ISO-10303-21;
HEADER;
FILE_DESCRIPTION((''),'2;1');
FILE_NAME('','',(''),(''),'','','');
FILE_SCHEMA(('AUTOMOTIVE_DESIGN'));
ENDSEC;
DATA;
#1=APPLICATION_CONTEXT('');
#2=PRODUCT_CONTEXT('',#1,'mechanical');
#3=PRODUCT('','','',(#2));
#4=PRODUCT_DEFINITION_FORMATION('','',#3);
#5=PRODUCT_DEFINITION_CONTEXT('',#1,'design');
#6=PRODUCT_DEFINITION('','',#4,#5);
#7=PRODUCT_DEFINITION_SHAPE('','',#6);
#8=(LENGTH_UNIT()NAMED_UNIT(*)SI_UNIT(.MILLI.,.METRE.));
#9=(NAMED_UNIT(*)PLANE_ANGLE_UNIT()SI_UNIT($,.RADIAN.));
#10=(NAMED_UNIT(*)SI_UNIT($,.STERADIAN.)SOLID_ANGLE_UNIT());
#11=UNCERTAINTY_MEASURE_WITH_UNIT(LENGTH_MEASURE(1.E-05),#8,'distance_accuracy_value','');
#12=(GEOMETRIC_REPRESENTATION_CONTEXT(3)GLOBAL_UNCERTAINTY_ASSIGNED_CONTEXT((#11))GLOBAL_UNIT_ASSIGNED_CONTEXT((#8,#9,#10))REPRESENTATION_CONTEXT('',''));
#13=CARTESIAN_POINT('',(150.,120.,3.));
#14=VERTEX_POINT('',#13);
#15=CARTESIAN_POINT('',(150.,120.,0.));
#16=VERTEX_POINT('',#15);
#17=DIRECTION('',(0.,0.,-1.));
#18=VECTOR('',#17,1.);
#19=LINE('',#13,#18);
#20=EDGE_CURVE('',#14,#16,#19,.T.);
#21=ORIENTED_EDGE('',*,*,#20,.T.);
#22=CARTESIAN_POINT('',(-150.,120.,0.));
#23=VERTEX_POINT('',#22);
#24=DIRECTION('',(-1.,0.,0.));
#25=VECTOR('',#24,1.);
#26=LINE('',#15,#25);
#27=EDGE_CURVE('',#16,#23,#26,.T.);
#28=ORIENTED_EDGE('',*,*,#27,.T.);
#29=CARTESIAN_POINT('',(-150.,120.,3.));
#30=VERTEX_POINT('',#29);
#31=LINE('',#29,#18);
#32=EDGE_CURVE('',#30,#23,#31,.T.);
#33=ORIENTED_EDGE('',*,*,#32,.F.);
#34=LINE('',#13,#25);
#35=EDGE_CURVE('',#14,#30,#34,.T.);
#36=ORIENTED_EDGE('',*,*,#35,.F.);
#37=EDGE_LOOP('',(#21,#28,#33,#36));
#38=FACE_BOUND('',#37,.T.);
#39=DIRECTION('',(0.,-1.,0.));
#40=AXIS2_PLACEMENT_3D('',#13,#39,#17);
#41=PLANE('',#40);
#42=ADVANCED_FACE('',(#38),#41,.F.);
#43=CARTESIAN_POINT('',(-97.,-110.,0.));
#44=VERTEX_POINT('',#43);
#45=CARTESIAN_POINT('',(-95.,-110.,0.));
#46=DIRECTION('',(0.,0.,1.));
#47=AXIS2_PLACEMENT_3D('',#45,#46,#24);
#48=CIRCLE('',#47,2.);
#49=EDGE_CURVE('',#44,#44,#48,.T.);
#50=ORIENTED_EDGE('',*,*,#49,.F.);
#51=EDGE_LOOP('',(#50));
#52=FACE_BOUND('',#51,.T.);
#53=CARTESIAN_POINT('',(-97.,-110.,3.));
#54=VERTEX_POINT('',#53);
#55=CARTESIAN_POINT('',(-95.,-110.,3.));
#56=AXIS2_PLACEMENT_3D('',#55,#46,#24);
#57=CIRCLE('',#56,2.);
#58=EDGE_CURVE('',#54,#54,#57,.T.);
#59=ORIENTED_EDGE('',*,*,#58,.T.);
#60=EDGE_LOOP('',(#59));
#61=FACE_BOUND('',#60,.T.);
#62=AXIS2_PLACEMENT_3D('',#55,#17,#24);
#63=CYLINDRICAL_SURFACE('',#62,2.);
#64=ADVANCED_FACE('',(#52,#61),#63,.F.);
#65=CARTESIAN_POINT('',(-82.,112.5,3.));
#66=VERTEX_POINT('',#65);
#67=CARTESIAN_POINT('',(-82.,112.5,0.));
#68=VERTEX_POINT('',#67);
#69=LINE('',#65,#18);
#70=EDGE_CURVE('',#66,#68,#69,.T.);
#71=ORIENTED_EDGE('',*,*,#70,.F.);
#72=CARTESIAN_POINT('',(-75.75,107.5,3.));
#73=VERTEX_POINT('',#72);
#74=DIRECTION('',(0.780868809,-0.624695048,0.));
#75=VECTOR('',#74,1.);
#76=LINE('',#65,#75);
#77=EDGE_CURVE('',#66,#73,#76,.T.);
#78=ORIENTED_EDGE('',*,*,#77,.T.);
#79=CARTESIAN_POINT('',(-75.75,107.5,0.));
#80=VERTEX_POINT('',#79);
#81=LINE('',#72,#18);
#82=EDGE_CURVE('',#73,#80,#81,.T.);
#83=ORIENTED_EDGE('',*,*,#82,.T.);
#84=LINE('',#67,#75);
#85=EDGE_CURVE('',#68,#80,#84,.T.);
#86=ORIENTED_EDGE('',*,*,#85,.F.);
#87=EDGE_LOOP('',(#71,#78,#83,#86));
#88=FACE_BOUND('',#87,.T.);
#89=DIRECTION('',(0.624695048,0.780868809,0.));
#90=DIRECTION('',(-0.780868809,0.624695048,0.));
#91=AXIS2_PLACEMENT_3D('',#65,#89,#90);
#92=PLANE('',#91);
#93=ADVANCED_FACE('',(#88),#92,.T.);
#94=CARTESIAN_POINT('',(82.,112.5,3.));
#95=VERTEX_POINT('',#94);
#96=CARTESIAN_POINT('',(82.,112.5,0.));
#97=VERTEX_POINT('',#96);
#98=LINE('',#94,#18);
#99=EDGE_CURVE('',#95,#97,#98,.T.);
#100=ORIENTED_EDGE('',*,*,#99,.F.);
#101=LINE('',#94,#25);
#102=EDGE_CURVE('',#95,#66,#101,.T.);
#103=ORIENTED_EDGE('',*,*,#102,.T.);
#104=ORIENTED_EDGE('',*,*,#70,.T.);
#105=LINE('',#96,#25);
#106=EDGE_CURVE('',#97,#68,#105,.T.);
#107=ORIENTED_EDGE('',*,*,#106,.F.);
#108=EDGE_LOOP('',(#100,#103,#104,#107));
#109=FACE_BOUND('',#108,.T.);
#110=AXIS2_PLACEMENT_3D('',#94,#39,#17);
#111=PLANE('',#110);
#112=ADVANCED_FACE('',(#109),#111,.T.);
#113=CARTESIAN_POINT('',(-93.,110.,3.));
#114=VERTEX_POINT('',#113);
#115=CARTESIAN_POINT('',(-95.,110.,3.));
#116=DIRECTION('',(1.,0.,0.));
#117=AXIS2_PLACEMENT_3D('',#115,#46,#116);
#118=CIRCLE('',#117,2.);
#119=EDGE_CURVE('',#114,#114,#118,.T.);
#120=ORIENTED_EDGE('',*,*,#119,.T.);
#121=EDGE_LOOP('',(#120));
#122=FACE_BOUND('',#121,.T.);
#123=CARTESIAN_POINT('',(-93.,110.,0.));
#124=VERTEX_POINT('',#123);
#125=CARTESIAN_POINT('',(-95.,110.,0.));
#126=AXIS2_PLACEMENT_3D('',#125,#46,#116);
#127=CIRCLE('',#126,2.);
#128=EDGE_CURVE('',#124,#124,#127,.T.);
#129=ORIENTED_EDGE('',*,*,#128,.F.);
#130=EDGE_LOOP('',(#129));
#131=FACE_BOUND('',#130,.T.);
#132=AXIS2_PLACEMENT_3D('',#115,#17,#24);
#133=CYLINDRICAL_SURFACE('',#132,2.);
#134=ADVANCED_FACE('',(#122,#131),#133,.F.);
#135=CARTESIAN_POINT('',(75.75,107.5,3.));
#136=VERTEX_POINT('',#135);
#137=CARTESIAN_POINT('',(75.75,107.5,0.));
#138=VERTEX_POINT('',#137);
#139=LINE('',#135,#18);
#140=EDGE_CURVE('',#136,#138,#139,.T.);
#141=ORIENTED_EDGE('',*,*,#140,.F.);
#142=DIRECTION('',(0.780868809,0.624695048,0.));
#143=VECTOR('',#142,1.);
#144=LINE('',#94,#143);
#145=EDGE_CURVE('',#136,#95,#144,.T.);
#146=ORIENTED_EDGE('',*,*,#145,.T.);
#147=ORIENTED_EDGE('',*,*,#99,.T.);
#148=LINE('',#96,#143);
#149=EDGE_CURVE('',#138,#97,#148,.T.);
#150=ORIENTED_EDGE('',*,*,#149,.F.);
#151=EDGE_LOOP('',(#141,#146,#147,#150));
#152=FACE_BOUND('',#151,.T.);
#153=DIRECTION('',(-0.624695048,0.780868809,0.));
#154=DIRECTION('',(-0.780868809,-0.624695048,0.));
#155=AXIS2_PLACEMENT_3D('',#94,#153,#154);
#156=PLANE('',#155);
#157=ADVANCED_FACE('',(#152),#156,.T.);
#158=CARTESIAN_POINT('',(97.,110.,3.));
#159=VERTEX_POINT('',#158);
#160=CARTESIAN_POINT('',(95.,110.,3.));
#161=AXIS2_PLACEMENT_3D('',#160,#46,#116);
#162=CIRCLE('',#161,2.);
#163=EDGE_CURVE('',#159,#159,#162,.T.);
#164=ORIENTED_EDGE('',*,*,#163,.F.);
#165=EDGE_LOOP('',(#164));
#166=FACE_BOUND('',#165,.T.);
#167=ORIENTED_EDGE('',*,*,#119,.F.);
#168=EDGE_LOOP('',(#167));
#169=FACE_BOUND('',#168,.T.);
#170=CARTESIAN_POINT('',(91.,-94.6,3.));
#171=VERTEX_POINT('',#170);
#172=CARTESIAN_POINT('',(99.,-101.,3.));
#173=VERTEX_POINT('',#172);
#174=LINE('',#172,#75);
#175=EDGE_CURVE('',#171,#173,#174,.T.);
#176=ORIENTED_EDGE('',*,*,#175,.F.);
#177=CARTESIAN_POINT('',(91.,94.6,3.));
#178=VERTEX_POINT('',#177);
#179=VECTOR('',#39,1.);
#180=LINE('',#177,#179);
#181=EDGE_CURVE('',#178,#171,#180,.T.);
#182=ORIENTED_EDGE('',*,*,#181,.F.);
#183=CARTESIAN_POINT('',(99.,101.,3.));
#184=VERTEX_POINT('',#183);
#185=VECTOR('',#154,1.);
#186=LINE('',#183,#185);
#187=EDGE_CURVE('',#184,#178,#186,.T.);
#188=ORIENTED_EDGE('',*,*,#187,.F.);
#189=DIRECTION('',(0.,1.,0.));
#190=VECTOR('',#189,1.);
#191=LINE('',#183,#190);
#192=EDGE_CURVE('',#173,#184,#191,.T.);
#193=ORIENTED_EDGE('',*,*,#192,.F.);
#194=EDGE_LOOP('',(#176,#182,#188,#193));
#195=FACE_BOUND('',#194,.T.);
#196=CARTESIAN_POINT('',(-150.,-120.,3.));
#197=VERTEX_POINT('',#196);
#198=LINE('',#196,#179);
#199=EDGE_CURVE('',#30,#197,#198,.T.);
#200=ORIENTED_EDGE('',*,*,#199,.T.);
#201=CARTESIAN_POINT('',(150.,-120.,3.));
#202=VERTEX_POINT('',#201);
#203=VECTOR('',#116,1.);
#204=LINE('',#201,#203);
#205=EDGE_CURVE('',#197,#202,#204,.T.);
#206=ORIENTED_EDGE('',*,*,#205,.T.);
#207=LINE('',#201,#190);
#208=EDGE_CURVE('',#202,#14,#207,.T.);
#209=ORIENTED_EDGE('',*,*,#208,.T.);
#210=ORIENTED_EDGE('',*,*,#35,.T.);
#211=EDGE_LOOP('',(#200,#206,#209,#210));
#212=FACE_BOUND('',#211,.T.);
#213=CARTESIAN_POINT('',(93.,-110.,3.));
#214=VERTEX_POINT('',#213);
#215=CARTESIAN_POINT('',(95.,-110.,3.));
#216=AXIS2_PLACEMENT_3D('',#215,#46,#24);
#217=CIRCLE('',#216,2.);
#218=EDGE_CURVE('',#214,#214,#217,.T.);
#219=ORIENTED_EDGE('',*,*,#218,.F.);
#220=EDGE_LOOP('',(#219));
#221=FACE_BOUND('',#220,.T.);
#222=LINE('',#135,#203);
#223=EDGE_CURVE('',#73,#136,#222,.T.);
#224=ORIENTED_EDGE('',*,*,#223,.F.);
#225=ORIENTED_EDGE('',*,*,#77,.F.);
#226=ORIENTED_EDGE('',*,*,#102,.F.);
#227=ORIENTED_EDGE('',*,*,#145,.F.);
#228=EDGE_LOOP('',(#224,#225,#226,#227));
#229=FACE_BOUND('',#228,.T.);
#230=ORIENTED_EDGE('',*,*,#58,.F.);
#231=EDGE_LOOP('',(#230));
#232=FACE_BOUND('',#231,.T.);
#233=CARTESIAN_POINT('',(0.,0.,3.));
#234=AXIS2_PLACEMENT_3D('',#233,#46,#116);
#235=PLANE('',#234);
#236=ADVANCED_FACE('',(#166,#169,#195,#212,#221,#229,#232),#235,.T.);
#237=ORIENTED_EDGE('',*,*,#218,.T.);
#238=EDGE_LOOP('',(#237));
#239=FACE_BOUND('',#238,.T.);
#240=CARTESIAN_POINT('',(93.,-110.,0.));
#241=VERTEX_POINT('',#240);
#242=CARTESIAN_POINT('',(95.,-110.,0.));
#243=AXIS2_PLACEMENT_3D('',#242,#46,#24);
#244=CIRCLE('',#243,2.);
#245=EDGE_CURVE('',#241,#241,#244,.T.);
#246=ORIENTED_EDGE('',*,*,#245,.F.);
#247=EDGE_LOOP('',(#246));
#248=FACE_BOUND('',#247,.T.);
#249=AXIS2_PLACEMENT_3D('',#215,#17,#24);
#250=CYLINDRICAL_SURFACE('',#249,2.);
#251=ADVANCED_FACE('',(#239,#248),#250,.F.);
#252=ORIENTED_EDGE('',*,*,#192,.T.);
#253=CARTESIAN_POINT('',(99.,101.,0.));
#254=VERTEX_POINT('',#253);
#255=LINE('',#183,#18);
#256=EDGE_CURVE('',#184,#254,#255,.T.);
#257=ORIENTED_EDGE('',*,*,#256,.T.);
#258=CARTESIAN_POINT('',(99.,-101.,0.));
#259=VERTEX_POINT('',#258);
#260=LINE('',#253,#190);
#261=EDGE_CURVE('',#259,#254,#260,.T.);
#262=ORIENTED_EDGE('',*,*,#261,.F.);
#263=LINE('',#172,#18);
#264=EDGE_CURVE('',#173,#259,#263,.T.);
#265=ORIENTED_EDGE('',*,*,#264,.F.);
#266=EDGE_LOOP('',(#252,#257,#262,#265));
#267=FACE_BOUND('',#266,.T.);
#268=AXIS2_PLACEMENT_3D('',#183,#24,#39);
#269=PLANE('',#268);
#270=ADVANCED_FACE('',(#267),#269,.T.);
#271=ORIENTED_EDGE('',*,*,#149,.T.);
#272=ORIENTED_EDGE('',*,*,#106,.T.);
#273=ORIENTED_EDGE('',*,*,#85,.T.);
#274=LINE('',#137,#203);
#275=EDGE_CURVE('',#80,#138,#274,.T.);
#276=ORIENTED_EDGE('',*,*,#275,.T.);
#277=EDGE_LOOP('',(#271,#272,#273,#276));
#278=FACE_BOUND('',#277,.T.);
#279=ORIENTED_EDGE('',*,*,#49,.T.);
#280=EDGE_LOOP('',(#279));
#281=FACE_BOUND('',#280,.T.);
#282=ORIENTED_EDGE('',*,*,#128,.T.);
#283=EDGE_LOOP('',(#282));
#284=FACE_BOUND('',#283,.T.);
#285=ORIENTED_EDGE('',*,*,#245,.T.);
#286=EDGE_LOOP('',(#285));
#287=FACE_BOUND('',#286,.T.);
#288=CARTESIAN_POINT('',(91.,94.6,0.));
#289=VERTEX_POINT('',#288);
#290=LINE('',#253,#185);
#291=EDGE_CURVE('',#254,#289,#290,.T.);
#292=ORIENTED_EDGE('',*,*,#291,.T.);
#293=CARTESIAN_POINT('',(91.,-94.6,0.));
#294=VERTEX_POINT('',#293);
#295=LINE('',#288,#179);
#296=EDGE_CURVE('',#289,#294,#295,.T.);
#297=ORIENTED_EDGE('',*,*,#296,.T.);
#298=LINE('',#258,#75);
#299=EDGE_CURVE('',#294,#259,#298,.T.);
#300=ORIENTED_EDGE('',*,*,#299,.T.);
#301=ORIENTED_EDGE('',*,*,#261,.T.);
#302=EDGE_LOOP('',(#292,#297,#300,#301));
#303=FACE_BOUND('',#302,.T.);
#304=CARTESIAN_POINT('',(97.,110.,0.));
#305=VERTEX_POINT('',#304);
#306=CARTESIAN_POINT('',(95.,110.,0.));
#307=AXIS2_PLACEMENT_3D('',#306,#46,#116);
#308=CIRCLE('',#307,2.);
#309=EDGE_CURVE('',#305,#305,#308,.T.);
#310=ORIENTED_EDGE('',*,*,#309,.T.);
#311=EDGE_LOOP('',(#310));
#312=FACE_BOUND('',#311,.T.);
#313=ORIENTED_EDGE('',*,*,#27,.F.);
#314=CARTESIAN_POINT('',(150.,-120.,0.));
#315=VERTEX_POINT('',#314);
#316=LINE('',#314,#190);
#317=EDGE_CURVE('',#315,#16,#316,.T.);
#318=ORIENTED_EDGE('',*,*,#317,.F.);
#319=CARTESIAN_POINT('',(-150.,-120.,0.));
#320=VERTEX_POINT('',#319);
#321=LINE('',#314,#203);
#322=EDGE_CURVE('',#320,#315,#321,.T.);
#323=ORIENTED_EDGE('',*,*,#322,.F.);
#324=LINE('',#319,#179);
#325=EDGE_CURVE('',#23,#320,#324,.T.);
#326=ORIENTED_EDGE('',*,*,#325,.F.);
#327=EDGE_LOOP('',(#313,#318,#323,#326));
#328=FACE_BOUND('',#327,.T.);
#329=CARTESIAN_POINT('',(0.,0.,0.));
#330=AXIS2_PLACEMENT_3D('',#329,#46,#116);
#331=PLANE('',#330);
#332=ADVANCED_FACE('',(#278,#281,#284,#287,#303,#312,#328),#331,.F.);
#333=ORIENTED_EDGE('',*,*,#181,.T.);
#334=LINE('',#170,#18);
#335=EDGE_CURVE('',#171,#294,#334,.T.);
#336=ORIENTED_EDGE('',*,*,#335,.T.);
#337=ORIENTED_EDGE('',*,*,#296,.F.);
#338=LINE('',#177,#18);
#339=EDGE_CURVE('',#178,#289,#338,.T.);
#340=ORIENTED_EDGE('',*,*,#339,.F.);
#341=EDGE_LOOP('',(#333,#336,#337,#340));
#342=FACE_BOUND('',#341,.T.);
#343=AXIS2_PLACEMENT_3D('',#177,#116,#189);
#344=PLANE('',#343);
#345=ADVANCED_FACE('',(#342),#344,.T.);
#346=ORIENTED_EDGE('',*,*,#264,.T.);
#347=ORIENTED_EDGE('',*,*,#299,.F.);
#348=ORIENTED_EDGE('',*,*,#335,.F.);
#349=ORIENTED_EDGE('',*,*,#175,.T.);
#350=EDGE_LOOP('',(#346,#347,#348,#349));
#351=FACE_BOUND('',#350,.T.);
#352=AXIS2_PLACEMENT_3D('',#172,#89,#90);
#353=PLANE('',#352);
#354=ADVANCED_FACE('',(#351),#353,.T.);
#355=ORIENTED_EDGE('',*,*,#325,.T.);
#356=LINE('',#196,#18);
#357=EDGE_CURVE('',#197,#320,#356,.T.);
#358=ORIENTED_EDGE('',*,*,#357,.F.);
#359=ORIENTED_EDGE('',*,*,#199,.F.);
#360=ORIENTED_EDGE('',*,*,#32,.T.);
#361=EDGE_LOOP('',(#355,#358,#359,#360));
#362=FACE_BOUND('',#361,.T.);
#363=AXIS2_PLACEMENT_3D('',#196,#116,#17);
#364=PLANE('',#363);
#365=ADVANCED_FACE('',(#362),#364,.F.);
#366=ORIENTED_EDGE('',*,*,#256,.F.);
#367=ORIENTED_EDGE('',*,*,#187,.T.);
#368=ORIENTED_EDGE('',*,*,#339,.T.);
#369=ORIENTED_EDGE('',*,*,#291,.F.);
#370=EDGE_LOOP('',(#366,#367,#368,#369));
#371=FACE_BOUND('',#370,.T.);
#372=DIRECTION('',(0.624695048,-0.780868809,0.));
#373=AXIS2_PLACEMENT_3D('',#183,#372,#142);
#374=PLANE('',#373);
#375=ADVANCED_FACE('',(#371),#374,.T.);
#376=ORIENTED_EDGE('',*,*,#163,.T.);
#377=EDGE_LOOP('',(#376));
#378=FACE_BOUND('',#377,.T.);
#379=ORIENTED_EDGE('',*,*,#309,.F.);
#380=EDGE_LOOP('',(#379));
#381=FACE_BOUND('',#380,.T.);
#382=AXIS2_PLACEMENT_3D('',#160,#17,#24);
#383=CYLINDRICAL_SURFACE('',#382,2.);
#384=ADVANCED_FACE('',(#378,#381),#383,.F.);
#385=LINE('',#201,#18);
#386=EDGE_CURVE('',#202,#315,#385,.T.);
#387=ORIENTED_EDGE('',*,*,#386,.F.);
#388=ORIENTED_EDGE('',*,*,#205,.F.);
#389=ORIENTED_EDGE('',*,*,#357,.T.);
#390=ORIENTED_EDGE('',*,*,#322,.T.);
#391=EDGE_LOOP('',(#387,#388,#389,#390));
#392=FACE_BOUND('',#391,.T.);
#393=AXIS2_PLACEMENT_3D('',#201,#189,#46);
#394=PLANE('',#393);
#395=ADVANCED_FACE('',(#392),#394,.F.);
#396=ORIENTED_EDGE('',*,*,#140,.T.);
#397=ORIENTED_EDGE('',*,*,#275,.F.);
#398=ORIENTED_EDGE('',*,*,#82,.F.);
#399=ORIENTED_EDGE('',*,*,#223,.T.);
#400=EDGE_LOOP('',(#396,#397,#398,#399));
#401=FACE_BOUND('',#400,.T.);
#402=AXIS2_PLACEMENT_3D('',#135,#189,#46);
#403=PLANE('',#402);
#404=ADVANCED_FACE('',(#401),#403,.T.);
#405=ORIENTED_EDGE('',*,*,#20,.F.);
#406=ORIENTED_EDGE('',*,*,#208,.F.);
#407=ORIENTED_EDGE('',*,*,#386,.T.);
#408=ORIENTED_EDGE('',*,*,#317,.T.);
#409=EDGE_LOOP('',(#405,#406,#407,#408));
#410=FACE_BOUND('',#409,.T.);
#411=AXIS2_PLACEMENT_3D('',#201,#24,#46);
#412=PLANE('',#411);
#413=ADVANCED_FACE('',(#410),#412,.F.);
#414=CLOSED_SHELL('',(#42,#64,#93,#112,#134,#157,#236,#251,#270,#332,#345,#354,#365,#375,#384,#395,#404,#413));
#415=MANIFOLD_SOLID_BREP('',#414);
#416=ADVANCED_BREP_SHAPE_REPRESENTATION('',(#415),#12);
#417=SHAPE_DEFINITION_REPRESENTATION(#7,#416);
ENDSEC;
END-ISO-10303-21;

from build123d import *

# Parameters (mm, degrees)
SKETCH1_W           = 300
SKETCH1_H           = 240
SKETCH1_R           = 2
BOSS_EXTRUDE1_DEPTH = 3


with BuildPart() as part:
    # Sketch1 → Boss-Extrude1 (new body)
    with BuildSketch(Plane.XY):
        Rectangle(SKETCH1_W, SKETCH1_H)
        with Locations((-95, 110)):
            Circle(SKETCH1_R, mode=Mode.SUBTRACT)
        with Locations((95, 110)):
            Circle(SKETCH1_R, mode=Mode.SUBTRACT)
        with Locations(Location((95, -110, 0), (0, 0, 180))):
            Circle(SKETCH1_R, mode=Mode.SUBTRACT)
        with Locations(Location((-95, -110, 0), (0, 0, 180))):
            Circle(SKETCH1_R, mode=Mode.SUBTRACT)
        Polygon((99, 101), (99, -101), (91, -94.6), (91, 94.6), align=None, mode=Mode.SUBTRACT)
        Polygon((82, 112.5), (-82, 112.5), (-75.75, 107.5), (75.75, 107.5), align=None, mode=Mode.SUBTRACT)
    extrude(amount=BOSS_EXTRUDE1_DEPTH)


solid = part.part
